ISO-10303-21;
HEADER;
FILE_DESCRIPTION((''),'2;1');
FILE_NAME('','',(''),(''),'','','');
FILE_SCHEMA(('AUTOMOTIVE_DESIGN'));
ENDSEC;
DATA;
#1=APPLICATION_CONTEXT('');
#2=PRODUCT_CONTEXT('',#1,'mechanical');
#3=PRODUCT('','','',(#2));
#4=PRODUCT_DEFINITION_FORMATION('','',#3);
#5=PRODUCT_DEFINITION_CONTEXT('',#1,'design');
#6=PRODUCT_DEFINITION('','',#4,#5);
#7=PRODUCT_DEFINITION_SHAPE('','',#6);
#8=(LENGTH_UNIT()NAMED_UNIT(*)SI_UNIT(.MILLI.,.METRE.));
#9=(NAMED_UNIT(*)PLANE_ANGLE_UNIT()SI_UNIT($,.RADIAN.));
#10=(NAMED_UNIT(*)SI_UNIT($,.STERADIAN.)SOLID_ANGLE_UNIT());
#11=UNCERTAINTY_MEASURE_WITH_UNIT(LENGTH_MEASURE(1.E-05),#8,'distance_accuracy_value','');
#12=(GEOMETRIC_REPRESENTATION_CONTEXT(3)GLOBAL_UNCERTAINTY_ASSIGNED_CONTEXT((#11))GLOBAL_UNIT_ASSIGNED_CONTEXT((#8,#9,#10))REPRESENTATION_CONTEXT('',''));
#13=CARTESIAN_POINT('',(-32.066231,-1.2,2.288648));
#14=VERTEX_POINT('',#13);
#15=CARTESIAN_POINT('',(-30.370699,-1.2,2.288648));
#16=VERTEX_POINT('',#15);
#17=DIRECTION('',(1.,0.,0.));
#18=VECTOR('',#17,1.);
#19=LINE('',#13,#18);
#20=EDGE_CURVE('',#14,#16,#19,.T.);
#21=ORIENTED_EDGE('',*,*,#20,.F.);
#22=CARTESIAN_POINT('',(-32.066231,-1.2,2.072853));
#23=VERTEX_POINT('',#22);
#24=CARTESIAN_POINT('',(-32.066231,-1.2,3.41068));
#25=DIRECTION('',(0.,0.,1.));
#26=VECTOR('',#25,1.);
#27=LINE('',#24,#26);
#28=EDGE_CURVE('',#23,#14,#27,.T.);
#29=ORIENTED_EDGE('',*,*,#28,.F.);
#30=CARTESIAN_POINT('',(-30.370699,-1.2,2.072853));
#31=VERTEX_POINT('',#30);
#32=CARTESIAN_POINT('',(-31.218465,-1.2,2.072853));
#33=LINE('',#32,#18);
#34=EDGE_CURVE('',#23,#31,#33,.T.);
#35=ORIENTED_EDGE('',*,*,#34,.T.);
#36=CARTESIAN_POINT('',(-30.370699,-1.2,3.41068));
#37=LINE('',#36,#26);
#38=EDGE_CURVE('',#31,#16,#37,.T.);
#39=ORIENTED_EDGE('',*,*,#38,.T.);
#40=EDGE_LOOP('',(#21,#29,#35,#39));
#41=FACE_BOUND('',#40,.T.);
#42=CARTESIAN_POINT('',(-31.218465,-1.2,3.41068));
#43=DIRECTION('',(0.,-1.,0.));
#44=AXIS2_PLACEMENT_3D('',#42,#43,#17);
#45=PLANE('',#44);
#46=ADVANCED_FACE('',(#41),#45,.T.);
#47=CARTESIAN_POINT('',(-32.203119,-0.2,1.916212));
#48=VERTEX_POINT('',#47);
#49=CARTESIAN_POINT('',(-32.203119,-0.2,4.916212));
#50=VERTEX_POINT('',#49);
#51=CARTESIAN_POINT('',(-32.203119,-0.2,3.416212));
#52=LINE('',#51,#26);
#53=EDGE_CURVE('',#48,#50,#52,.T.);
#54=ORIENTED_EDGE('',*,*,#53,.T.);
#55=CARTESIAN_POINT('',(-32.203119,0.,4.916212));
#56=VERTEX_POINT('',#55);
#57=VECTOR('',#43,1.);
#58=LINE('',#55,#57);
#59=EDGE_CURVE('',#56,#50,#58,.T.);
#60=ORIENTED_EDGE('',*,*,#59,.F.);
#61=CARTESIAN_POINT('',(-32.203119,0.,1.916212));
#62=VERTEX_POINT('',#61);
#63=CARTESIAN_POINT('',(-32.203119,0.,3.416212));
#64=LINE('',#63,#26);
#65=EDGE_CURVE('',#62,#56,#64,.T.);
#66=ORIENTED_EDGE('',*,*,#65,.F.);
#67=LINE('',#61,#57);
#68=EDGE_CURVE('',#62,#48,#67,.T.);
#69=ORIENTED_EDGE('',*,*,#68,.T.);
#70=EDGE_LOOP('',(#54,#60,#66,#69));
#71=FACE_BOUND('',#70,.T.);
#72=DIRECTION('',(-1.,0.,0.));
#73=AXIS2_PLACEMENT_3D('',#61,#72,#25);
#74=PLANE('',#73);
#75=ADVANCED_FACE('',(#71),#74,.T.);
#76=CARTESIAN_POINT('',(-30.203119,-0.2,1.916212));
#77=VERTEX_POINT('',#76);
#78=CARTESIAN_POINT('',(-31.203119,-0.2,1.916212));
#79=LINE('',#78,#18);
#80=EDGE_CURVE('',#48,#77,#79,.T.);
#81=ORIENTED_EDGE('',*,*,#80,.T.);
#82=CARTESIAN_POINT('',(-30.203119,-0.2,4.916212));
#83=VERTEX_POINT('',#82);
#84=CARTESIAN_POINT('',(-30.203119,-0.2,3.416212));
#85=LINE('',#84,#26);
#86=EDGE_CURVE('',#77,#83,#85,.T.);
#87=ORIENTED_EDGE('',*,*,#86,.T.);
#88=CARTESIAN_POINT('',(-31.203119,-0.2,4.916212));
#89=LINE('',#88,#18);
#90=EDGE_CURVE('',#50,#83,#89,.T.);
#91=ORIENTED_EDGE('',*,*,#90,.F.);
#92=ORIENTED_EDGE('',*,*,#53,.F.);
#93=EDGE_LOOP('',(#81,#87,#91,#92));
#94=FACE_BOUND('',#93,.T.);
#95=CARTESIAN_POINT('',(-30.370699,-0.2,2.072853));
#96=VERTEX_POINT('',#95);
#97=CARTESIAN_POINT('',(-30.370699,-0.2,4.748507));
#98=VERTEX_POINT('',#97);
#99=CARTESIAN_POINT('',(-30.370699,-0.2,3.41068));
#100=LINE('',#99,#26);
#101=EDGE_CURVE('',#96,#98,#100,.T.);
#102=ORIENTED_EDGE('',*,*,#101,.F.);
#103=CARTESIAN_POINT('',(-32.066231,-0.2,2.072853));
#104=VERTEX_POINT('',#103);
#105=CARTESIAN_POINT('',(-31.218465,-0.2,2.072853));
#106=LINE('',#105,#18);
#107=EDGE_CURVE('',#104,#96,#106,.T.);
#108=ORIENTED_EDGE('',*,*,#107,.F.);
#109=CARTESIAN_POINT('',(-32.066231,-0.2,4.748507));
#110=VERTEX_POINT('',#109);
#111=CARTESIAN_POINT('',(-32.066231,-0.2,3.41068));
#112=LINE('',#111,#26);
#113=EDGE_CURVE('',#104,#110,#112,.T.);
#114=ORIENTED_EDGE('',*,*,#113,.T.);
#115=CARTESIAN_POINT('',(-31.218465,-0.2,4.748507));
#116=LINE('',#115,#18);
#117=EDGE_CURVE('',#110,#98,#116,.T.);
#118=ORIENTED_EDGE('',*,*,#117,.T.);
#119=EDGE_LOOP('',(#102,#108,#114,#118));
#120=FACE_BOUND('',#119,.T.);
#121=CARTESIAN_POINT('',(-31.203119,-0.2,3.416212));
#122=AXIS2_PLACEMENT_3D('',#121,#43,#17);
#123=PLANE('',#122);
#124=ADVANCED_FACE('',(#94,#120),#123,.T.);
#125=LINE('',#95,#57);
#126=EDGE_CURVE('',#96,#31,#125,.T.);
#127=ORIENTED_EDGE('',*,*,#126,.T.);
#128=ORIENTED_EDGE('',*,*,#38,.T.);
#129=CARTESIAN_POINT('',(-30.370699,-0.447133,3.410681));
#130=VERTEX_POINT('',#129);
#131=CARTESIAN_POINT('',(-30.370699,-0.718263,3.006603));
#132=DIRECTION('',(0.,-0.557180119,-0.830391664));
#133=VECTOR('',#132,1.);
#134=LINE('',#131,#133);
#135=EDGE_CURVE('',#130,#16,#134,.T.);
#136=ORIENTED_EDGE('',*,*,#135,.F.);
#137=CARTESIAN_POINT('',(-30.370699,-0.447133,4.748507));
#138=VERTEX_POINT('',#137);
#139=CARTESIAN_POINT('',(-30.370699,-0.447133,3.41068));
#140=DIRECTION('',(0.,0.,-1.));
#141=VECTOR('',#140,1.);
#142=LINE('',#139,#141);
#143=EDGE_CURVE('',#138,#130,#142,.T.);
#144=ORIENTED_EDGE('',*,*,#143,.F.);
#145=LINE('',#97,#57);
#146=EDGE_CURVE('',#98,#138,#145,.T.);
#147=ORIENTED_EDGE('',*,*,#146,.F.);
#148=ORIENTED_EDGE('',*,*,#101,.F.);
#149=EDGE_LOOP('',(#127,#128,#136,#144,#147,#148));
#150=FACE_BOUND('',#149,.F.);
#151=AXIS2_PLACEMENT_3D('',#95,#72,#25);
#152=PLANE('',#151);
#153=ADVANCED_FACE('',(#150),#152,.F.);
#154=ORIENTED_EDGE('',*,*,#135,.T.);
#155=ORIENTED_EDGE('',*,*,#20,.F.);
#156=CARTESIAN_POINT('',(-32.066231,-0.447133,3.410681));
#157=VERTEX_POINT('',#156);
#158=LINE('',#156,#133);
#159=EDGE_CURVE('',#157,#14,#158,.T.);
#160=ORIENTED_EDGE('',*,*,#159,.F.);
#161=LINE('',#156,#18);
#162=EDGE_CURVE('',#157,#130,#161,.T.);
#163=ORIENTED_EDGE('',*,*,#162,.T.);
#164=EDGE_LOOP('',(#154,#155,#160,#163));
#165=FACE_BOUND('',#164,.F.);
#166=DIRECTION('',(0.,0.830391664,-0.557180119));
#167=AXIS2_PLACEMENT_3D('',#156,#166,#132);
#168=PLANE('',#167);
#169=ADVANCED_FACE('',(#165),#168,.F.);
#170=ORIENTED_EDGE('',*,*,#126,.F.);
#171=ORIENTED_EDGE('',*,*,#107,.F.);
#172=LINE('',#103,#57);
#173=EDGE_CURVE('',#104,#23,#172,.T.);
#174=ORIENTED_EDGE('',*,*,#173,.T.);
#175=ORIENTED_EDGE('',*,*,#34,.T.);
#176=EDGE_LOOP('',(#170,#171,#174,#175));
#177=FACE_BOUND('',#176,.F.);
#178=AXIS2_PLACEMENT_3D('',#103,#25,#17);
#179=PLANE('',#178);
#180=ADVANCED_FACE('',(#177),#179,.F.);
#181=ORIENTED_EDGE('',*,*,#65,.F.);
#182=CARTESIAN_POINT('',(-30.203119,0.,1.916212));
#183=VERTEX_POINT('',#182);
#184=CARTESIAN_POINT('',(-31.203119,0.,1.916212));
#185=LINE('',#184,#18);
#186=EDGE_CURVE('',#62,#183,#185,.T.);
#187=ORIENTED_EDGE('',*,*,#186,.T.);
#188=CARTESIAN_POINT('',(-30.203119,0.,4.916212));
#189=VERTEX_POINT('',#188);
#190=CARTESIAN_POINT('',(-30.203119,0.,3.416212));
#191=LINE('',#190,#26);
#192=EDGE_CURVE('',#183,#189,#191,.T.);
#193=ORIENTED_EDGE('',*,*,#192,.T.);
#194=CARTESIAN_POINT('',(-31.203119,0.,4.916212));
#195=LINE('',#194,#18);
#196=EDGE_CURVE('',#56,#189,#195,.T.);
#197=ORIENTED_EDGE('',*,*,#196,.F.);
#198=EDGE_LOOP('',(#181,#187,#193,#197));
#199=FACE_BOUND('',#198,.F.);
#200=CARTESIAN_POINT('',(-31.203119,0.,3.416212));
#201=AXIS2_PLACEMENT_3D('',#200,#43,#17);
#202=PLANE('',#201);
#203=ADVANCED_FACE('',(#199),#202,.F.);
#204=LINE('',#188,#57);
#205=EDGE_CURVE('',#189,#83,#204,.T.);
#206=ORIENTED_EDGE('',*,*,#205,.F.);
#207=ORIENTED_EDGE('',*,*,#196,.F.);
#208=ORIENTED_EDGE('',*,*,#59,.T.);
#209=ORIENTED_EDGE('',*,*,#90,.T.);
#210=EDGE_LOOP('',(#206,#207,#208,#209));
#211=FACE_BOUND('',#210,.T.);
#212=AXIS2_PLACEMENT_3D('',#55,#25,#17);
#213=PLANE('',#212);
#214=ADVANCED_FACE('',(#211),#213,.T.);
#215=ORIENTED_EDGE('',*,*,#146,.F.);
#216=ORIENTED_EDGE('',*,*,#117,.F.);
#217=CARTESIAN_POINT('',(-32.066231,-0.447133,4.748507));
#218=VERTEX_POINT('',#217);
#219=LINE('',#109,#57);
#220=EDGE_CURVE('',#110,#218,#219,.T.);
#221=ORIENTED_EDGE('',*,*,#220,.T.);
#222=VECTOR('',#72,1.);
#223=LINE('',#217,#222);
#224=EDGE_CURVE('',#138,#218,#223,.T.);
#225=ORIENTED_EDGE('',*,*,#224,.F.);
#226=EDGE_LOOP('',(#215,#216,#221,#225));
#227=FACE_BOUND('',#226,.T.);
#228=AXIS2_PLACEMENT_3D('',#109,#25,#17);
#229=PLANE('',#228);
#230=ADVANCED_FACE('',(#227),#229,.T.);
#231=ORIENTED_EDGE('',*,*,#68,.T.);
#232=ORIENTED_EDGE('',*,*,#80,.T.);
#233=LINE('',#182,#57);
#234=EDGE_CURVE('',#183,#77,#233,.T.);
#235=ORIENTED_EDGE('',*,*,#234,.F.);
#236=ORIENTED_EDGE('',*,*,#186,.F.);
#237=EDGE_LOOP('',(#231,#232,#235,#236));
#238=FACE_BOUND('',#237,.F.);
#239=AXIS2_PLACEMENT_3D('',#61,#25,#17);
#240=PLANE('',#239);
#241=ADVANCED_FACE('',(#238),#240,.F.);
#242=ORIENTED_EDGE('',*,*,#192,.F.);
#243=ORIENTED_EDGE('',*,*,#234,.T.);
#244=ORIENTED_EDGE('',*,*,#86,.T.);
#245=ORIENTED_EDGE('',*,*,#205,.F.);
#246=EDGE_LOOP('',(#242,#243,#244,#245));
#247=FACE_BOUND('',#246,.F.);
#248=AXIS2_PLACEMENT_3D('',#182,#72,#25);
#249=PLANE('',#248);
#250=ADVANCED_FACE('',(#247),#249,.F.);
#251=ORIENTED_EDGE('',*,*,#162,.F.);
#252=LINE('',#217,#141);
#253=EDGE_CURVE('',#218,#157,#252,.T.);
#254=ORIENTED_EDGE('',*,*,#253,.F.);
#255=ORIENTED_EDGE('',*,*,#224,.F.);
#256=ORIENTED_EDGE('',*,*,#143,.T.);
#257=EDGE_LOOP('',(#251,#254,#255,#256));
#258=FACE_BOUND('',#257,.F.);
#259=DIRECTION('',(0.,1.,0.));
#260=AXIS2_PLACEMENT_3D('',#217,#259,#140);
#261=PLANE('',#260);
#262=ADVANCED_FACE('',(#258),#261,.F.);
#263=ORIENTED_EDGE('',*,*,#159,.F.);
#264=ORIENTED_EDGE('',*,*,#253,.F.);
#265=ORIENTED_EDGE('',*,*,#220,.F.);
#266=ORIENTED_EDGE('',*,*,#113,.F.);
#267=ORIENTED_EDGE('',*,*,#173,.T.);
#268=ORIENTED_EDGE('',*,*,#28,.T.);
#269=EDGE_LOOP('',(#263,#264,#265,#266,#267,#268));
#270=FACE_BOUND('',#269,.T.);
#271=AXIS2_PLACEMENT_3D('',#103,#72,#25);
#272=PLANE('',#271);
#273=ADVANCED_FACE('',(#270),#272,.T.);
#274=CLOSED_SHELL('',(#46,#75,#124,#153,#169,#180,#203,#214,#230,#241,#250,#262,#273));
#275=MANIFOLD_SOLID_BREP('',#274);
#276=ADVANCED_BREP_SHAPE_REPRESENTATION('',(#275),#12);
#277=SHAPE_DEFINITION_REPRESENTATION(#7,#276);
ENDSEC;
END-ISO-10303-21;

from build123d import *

# Parameters (mm, degrees)
SKETCH001_W  = 2
SKETCH001_H  = 3
PAD001_DEPTH = 0.2
SKETCH002_W  = 1.695532
SKETCH002_H  = 2.675653
PAD002_DEPTH = 1
POCKET_DEPTH = 5


with BuildPart() as part:
    # Sketch001 → Pad001 (new body)
    with BuildSketch(Plane.XZ):
        with Locations((-31.203119, 3.416212)):
            Rectangle(SKETCH001_W, SKETCH001_H)
    extrude(amount=PAD001_DEPTH)

    # Sketch002 (on Face6 of Pad001) → Pad002 (join)
    with BuildSketch(Plane.XZ.offset(0.2)):
        with Locations((-31.218465, 3.41068)):
            Rectangle(SKETCH002_W, SKETCH002_H)
    extrude(amount=PAD002_DEPTH)

    # Sketch003 (on Face10 of Pad002) → Pocket (cut)
    with BuildSketch(Plane(origin=(-32.066231, 0, 0), x_dir=(0, 0, -1), z_dir=(-1, 0, 0))):
        Polygon((-4.748507, 0.447133), (-3.410681, 0.447133), (-2.288648, 1.2), (-4.748507, 1.2), align=None)
    extrude(amount=-POCKET_DEPTH, mode=Mode.SUBTRACT)


solid = part.part
